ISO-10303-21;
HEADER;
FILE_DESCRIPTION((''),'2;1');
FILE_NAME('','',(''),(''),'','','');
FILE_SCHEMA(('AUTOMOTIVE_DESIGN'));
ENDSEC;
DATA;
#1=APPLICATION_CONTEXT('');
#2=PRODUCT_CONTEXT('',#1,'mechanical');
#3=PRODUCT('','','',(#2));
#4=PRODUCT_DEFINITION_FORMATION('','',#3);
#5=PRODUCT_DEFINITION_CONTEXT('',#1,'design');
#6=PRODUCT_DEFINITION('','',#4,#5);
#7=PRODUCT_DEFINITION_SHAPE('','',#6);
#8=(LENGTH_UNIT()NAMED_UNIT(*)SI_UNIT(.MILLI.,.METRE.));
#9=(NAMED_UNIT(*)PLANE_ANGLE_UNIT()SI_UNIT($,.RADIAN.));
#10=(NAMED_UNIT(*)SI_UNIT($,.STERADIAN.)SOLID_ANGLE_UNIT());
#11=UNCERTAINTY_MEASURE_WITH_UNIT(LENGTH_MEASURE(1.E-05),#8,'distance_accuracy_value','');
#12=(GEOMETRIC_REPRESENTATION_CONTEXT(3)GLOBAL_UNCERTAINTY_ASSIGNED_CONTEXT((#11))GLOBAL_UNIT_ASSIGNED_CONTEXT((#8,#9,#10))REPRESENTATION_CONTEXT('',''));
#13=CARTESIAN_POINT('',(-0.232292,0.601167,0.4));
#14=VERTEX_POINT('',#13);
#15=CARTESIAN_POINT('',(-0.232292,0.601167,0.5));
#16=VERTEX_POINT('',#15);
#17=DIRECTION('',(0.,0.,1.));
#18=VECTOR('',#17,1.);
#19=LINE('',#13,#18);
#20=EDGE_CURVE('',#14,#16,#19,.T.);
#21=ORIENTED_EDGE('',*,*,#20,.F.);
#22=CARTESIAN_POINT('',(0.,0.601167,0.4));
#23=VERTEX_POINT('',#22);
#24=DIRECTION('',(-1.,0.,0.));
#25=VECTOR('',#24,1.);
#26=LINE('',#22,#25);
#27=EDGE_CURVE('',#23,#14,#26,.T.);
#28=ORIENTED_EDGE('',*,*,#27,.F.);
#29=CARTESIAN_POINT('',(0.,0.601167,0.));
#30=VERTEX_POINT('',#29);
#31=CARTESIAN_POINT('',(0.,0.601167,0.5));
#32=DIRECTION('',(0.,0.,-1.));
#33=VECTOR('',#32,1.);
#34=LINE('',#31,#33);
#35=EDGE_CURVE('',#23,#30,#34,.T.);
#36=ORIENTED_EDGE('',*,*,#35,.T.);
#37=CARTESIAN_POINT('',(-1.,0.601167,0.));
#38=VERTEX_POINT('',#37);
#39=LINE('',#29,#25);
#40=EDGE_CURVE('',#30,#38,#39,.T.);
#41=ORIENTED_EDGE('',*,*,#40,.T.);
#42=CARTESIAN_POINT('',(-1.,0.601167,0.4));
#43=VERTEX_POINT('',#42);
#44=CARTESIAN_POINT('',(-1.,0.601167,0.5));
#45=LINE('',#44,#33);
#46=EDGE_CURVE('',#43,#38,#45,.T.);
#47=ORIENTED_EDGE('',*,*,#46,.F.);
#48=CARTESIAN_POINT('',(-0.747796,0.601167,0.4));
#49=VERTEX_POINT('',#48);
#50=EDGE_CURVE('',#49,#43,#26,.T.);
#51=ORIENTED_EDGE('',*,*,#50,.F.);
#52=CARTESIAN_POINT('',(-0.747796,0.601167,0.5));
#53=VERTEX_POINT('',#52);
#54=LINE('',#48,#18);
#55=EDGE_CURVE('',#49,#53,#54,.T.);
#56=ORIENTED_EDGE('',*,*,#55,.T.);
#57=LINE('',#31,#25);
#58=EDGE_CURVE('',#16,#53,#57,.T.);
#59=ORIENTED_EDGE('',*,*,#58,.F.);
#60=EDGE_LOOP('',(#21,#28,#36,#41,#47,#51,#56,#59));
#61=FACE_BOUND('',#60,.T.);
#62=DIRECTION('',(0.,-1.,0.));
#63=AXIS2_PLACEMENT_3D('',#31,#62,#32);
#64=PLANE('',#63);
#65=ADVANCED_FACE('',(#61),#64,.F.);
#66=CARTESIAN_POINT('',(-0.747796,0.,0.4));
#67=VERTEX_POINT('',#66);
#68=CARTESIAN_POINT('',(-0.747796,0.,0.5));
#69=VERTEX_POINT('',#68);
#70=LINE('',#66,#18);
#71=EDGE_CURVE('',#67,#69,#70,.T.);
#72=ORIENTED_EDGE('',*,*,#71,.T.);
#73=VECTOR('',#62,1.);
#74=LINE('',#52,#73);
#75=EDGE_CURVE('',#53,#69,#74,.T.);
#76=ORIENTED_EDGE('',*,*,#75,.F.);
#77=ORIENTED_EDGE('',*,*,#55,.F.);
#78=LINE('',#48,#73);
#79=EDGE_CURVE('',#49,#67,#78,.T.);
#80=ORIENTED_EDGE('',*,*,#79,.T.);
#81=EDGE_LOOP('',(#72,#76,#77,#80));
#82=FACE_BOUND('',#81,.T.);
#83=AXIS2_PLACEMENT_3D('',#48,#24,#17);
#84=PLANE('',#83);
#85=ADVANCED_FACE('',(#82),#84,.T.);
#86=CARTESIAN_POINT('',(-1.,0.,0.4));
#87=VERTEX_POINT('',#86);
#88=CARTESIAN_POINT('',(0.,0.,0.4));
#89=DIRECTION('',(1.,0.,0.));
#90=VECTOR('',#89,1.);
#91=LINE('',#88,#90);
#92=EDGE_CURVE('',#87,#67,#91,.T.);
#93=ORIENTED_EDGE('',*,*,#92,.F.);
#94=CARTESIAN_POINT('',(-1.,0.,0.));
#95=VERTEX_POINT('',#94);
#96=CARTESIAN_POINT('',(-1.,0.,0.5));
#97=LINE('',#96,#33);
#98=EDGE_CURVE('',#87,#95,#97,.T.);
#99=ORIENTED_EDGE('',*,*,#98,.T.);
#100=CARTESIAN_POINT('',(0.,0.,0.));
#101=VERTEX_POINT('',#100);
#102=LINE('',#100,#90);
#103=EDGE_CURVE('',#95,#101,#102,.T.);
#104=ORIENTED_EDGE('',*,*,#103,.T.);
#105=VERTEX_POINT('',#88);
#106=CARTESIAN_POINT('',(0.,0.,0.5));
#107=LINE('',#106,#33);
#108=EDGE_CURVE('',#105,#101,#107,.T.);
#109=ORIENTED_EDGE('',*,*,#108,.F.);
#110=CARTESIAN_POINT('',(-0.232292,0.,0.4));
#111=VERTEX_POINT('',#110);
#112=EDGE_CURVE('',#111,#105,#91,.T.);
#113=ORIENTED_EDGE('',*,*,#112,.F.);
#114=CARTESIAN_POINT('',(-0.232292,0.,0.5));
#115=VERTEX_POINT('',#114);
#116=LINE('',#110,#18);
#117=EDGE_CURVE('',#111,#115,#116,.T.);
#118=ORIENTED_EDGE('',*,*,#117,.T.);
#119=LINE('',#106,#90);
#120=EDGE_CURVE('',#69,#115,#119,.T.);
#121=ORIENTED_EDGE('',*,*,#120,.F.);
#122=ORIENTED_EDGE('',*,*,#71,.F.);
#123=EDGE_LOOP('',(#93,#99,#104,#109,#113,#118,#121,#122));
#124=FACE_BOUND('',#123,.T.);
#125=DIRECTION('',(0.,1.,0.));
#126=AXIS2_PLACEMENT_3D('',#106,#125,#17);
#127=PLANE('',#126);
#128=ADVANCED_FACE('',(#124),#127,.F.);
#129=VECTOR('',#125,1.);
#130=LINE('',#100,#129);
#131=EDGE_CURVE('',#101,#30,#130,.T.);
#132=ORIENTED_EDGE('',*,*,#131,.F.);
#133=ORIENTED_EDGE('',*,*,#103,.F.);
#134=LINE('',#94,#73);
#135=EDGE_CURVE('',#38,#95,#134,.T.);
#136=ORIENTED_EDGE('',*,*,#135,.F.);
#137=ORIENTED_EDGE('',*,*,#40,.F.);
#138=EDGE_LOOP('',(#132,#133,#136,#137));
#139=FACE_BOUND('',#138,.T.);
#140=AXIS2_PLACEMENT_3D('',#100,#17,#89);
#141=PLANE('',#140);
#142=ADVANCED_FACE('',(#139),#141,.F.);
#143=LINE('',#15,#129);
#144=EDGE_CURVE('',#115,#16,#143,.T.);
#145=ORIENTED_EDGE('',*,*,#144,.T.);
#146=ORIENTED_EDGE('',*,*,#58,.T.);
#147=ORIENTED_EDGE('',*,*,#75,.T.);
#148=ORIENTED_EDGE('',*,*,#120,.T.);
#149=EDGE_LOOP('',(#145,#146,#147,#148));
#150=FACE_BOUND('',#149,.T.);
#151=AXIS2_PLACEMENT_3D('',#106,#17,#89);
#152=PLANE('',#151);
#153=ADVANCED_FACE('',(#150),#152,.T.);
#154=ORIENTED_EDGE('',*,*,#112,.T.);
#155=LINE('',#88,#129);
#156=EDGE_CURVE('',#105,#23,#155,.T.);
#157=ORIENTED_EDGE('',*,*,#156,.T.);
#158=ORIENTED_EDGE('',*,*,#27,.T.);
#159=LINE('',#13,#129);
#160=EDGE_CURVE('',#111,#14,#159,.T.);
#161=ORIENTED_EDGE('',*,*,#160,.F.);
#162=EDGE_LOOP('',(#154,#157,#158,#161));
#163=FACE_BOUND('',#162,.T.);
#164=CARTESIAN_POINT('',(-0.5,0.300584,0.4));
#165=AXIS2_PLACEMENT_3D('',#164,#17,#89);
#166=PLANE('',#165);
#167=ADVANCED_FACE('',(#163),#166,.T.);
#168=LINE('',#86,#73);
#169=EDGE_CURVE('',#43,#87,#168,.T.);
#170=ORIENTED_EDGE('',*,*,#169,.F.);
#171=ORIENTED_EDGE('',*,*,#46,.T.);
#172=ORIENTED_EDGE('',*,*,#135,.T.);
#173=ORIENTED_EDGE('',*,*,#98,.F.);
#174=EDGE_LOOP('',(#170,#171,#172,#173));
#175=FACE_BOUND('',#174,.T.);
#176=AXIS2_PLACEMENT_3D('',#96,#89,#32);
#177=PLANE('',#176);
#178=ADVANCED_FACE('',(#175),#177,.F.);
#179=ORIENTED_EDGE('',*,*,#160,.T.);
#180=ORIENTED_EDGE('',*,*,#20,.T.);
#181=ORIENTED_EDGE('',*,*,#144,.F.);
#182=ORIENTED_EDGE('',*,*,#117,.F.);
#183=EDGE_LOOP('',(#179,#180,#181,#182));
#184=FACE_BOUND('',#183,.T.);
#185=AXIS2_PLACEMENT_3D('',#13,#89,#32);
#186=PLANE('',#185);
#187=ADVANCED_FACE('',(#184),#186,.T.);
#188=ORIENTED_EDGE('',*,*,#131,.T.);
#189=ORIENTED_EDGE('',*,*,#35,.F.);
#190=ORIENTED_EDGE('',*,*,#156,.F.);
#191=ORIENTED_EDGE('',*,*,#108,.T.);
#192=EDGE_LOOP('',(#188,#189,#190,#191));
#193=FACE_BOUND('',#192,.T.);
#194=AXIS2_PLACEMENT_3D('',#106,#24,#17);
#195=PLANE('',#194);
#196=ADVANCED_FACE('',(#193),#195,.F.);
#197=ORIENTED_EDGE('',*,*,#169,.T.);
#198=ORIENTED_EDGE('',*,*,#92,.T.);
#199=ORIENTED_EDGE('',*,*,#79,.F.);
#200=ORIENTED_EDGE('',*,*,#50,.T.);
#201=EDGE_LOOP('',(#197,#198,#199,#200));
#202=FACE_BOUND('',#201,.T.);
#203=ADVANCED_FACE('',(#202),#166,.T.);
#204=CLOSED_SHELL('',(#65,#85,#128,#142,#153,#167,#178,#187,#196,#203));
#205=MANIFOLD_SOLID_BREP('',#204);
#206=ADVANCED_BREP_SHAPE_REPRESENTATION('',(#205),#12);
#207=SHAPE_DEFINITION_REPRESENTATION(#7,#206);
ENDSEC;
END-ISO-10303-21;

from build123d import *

# Parameters (mm, degrees)
SKETCH_1_W           = 1
SKETCH_1_H           = 0.601167315
EXTRUDE_1_DEPTH      = 0.5
SKETCH_2_OUTSIDE_W   = 3.254
SKETCH_2_OUTSIDE_H   = 2.855
SKETCH_2_OUTSIDE_W_2 = 0.515504071
SKETCH_2_OUTSIDE_H_2 = 0.601167315
CUT_EXTRUDE_1_DEPTH  = 0.1


with BuildPart() as part:
    # 草图1 → 凸台-拉伸1 (new body)
    with BuildSketch(Plane.XY):
        with Locations((-0.5, 0.300583658)):
            Rectangle(SKETCH_1_W, SKETCH_1_H)
    extrude(amount=EXTRUDE_1_DEPTH)

    # 草图2 outside → 切除-拉伸1 (cut)
    with BuildSketch(Plane.XY.offset(0.5)):
        with Locations((-0.5, 0.3005)):
            Rectangle(SKETCH_2_OUTSIDE_W, SKETCH_2_OUTSIDE_H)
        with Locations((-0.490043913, 0.300583658)):
            Rectangle(SKETCH_2_OUTSIDE_W_2, SKETCH_2_OUTSIDE_H_2, mode=Mode.SUBTRACT)
    extrude(amount=-CUT_EXTRUDE_1_DEPTH, mode=Mode.SUBTRACT)


solid = part.part
